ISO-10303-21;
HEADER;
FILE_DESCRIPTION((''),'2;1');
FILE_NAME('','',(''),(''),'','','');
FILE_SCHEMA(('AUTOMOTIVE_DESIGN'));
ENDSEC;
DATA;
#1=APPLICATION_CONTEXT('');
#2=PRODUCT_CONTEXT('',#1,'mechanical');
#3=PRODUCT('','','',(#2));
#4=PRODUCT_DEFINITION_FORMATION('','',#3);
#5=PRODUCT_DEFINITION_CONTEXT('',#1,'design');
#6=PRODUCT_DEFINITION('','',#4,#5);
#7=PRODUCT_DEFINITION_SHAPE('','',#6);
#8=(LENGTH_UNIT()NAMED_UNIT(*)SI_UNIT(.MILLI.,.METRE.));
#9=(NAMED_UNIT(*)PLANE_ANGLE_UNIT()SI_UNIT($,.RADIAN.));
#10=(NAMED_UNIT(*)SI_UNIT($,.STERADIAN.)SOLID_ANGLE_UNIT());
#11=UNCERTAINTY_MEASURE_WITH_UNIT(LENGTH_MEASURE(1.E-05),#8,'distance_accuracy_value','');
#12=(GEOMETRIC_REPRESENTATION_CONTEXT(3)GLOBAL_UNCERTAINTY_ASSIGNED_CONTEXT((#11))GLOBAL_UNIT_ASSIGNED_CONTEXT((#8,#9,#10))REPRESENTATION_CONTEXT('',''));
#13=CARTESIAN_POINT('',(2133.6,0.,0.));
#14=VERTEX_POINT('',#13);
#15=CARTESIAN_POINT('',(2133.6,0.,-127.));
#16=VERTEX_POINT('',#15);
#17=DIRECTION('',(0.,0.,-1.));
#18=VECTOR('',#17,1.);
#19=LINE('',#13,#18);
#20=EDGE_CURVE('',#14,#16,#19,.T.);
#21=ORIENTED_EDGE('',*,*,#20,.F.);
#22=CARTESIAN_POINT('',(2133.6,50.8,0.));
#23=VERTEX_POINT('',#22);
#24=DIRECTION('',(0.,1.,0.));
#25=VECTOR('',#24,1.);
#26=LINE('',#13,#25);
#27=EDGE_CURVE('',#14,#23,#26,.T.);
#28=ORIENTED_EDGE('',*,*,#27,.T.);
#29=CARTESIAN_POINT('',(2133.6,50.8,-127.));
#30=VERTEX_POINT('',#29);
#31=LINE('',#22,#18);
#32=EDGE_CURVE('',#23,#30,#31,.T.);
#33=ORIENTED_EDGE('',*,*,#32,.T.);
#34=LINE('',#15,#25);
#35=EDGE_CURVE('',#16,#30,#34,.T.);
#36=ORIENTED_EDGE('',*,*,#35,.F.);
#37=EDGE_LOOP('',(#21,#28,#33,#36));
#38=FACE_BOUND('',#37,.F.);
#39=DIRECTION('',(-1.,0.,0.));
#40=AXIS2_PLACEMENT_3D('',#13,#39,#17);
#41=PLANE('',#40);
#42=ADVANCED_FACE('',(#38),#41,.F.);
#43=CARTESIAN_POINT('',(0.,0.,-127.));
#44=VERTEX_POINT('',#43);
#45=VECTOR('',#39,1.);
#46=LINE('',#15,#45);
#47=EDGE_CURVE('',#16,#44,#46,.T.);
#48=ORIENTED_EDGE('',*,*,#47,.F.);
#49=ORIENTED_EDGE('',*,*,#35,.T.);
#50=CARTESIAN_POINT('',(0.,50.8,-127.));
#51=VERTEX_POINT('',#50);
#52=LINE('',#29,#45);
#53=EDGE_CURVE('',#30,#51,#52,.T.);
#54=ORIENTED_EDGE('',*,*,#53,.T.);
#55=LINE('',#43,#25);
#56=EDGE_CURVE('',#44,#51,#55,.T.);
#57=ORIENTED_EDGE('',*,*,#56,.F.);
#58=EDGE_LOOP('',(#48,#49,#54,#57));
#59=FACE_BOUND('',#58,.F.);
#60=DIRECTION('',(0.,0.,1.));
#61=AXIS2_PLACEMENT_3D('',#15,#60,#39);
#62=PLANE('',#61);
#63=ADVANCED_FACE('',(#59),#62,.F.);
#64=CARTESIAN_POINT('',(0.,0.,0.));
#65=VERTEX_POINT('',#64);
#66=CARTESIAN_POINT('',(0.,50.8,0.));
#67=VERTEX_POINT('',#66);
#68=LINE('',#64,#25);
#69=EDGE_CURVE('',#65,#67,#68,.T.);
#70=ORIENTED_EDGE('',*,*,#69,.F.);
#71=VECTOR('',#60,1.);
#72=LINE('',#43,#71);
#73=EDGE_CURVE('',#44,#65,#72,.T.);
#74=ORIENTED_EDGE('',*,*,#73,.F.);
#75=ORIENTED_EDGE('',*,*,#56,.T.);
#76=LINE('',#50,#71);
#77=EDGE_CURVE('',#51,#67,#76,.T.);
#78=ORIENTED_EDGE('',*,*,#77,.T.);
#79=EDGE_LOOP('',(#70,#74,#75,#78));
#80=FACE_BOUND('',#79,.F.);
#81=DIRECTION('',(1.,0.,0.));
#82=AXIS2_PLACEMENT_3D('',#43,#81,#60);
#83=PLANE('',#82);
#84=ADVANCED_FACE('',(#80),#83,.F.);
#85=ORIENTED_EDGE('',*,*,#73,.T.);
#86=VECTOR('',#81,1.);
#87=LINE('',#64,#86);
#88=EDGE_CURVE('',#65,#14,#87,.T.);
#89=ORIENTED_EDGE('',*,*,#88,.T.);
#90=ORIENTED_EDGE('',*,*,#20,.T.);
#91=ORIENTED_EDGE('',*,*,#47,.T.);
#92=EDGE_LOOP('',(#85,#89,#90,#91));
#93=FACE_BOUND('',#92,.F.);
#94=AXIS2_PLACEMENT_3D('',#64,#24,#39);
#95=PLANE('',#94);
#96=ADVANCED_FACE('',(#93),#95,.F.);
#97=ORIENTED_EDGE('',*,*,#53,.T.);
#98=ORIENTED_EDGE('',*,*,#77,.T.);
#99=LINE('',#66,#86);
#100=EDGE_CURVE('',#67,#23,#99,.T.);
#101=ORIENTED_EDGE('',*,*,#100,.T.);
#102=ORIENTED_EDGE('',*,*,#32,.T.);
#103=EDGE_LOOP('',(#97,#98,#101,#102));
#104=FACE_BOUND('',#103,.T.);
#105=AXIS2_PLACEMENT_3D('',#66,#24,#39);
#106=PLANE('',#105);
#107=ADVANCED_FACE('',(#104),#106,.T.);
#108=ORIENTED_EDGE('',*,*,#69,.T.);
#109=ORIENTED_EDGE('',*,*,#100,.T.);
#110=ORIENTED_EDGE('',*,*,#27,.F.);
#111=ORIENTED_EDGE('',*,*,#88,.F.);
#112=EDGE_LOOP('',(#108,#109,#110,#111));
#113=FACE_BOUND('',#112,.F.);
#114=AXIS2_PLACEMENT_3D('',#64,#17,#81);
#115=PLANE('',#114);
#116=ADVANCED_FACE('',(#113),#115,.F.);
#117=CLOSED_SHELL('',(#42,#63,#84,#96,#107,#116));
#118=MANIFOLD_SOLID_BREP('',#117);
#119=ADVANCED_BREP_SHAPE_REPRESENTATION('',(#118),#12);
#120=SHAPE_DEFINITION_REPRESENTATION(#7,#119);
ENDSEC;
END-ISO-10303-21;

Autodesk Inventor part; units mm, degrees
ref_plane "YZ Plane" through (0, 0, 0) normal (1, 0, 0) x (0, 1, 0)
ref_plane "XZ Plane" through (0, 0, 0) normal (0, 1, 0) x (-1, 0, 0)
ref_plane "XY Plane" through (0, 0, 0) normal (0, 0, 1) x (1, 0, 0)
sketch "Sketch2" plane through (0, 0, 0) normal (0, 1, 0) x (-1, 0, 0)
  line L0 (0, 0) -> (-2133.6, 0)
  line L1 (-2133.6, 0) -> (-2133.6, -127)
  line L2 (-2133.6, -127) -> (0, -127)
  line L3 (0, -127) -> (0, 0)
  dimension "d3" = 2133.6
  dimension "d4" = 127
extrude "Extrusion1" add sketch "Sketch2" along normal blind 50.8
properties part number "5x84 - 13"
